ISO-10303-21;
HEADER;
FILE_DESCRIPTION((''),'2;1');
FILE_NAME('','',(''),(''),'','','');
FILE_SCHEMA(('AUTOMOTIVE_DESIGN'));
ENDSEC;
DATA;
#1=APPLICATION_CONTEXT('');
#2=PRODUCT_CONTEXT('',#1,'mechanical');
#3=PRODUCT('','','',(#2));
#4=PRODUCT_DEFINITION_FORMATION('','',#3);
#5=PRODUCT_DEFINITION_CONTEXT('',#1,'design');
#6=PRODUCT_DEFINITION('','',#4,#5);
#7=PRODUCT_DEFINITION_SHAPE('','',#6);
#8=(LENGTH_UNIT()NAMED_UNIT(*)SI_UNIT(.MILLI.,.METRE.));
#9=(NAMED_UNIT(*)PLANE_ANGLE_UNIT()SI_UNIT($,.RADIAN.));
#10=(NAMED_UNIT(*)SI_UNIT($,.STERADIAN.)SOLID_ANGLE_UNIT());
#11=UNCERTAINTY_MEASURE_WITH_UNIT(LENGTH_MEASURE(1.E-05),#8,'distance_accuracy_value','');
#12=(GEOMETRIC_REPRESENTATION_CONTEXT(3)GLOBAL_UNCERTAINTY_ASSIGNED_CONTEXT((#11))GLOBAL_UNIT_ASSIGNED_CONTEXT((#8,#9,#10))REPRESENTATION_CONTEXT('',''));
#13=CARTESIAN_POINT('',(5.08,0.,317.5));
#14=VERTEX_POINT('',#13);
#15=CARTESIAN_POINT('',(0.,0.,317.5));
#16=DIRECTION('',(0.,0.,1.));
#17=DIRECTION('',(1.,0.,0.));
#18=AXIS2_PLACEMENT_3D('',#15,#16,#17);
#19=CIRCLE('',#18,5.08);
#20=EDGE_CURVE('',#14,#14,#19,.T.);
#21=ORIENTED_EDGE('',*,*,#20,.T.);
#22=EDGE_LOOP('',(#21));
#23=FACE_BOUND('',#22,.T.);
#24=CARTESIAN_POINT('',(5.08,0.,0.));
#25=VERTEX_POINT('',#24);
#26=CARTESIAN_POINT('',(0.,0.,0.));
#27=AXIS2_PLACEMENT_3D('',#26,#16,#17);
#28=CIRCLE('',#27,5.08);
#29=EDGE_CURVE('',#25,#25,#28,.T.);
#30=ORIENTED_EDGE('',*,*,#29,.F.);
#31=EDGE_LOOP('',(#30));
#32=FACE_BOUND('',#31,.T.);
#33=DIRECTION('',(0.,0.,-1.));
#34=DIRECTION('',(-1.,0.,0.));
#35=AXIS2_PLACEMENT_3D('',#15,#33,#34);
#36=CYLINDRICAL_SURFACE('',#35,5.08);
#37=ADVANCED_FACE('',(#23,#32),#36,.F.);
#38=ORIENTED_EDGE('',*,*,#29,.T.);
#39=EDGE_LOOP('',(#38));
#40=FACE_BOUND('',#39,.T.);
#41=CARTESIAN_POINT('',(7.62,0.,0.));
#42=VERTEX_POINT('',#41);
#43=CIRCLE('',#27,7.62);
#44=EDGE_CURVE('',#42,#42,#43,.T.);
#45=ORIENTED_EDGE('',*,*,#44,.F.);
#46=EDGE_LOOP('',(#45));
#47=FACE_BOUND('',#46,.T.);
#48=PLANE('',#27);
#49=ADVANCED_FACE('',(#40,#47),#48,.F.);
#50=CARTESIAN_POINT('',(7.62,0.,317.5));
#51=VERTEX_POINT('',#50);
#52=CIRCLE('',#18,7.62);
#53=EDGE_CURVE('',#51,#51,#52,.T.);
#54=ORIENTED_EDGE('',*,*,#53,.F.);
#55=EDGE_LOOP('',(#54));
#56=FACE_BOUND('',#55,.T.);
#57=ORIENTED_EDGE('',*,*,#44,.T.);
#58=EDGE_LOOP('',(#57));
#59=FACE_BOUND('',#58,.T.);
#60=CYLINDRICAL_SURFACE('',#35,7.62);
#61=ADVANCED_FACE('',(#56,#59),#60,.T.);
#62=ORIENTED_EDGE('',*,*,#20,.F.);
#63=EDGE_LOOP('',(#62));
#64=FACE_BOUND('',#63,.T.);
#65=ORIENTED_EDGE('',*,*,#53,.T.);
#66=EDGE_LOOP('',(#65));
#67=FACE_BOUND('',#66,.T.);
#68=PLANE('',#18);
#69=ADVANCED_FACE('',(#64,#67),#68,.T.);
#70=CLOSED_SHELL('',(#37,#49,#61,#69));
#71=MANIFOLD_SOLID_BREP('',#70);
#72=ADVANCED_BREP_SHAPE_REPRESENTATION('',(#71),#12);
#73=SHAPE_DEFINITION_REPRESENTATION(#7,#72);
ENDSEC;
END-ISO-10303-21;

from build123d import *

# Parameters (mm, degrees)
SKETCH1_R           = 7.62
SKETCH1_R_2         = 5.08
BOSS_EXTRUDE1_DEPTH = 317.5


with BuildPart() as part:
    # Sketch1 → Boss-Extrude1 (new body)
    with BuildSketch(Plane.XY):
        Circle(SKETCH1_R)
        Circle(SKETCH1_R_2, mode=Mode.SUBTRACT)
    extrude(amount=BOSS_EXTRUDE1_DEPTH)


solid = part.part
